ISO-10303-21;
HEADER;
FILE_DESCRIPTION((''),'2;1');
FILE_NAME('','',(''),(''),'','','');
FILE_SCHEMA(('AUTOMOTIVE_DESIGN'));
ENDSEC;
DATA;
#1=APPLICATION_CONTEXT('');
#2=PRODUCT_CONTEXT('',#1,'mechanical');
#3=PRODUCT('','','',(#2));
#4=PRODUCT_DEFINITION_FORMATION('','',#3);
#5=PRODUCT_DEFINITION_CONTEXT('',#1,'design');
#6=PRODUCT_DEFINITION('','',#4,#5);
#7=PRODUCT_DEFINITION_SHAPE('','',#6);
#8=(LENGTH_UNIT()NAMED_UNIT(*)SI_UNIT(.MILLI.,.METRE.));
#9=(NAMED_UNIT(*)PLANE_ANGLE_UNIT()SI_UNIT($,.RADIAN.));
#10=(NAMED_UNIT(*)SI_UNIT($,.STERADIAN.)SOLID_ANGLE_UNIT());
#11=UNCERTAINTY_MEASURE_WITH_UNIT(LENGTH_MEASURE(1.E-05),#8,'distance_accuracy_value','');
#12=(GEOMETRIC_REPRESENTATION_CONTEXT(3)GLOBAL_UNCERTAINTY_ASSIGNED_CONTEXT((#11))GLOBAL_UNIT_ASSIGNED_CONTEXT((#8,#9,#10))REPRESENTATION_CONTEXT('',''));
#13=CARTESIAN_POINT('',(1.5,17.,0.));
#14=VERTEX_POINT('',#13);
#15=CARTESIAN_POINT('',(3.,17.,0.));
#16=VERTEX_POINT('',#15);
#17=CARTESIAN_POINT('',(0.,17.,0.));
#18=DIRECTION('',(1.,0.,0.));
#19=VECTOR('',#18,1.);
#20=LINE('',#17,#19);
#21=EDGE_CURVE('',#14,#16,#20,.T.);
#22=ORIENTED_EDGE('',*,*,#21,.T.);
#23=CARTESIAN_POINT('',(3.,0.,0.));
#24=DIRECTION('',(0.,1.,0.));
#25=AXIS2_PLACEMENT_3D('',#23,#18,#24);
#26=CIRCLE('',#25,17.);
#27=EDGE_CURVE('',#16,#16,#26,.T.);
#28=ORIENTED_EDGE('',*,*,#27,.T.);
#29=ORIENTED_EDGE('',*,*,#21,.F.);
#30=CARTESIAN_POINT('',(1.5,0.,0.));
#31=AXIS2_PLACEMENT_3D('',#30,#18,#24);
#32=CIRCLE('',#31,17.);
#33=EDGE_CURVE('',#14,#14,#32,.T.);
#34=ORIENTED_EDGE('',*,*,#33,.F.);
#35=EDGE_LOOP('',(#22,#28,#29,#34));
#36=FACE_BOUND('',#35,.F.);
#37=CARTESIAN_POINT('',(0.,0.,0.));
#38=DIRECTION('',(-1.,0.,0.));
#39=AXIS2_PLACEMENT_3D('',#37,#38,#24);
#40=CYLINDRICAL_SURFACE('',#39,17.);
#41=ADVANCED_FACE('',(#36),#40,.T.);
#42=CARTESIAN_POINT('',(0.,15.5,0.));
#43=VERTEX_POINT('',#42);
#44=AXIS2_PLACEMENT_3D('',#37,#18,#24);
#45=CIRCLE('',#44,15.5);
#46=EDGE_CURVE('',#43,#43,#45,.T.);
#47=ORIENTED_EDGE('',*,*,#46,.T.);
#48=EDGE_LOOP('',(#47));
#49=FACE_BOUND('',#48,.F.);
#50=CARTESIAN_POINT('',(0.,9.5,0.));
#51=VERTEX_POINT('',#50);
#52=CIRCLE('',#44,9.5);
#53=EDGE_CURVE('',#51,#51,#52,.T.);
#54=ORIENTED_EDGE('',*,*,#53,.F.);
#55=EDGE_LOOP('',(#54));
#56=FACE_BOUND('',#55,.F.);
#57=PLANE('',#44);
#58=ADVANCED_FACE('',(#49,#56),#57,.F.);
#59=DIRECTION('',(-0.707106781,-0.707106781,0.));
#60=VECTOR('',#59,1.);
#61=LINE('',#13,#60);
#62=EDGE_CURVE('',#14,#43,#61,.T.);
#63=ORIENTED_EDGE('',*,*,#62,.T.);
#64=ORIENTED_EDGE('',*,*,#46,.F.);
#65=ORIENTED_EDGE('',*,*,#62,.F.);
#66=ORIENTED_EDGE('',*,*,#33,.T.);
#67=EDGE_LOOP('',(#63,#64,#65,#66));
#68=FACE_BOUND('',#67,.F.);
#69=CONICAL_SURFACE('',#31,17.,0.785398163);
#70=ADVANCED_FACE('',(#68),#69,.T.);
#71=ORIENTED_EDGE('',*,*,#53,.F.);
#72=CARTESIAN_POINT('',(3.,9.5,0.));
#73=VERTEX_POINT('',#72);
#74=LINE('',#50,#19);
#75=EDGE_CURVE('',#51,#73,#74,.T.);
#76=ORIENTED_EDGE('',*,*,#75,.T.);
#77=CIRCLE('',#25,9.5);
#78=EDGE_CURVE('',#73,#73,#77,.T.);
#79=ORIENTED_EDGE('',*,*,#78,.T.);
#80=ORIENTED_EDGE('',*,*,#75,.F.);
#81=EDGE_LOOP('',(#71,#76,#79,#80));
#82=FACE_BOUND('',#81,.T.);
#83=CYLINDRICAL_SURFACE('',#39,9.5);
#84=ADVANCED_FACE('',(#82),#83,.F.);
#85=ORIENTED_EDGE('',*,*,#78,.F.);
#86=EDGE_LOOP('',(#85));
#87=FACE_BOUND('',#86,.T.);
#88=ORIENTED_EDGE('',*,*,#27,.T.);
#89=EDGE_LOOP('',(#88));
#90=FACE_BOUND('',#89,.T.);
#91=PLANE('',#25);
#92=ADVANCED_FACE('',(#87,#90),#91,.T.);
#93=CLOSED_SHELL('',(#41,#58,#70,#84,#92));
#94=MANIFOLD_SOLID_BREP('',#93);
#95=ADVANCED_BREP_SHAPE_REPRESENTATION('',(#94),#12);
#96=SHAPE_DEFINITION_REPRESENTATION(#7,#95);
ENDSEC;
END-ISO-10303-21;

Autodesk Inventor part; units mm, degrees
ref_plane "YZ Plane" through (0, 0, 0) normal (1, 0, 0) x (0, 1, 0)
ref_plane "XZ Plane" through (0, 0, 0) normal (0, 1, 0) x (-1, 0, 0)
sketch "Skizze" plane through (0, 0, 0) normal (1, 0, 0) x (0, 1, 0)
  circle A0 centre (0, 0) radius 17
  circle A1 centre (0, 0) radius 9.5
  dimension "d0" = 19
  dimension "d1" = 34
extrude "Körper" add sketch "Skizze" along normal blind 3
chamfer "Fase" distance 1.5 angle 45 1 edges at (0, -17, 0) measured on face at (2, 16.9449, -1.3679)
ref_plane "Work Plane1" through (0, 0, 0) normal (0, 1, 0) x (1, 0, 0)
equation "\"d0\" = SD1"
equation "\"d1\" = SD2"
equation "\"d2\" = SD"
equation "\"d4\" = PHH"
equation "\"d8\" = PHH"
equation "\"SD1\" = 19"
equation "\"SD2\" = 34"
equation "\"SD\" = 3"
equation "\"PHH\" = 1.5"
equation "\"FAWI\" = 45deg"
equation "\"NND\" = 18"
properties part number "ISO 7090 -  18" material "Stahl, weich"
